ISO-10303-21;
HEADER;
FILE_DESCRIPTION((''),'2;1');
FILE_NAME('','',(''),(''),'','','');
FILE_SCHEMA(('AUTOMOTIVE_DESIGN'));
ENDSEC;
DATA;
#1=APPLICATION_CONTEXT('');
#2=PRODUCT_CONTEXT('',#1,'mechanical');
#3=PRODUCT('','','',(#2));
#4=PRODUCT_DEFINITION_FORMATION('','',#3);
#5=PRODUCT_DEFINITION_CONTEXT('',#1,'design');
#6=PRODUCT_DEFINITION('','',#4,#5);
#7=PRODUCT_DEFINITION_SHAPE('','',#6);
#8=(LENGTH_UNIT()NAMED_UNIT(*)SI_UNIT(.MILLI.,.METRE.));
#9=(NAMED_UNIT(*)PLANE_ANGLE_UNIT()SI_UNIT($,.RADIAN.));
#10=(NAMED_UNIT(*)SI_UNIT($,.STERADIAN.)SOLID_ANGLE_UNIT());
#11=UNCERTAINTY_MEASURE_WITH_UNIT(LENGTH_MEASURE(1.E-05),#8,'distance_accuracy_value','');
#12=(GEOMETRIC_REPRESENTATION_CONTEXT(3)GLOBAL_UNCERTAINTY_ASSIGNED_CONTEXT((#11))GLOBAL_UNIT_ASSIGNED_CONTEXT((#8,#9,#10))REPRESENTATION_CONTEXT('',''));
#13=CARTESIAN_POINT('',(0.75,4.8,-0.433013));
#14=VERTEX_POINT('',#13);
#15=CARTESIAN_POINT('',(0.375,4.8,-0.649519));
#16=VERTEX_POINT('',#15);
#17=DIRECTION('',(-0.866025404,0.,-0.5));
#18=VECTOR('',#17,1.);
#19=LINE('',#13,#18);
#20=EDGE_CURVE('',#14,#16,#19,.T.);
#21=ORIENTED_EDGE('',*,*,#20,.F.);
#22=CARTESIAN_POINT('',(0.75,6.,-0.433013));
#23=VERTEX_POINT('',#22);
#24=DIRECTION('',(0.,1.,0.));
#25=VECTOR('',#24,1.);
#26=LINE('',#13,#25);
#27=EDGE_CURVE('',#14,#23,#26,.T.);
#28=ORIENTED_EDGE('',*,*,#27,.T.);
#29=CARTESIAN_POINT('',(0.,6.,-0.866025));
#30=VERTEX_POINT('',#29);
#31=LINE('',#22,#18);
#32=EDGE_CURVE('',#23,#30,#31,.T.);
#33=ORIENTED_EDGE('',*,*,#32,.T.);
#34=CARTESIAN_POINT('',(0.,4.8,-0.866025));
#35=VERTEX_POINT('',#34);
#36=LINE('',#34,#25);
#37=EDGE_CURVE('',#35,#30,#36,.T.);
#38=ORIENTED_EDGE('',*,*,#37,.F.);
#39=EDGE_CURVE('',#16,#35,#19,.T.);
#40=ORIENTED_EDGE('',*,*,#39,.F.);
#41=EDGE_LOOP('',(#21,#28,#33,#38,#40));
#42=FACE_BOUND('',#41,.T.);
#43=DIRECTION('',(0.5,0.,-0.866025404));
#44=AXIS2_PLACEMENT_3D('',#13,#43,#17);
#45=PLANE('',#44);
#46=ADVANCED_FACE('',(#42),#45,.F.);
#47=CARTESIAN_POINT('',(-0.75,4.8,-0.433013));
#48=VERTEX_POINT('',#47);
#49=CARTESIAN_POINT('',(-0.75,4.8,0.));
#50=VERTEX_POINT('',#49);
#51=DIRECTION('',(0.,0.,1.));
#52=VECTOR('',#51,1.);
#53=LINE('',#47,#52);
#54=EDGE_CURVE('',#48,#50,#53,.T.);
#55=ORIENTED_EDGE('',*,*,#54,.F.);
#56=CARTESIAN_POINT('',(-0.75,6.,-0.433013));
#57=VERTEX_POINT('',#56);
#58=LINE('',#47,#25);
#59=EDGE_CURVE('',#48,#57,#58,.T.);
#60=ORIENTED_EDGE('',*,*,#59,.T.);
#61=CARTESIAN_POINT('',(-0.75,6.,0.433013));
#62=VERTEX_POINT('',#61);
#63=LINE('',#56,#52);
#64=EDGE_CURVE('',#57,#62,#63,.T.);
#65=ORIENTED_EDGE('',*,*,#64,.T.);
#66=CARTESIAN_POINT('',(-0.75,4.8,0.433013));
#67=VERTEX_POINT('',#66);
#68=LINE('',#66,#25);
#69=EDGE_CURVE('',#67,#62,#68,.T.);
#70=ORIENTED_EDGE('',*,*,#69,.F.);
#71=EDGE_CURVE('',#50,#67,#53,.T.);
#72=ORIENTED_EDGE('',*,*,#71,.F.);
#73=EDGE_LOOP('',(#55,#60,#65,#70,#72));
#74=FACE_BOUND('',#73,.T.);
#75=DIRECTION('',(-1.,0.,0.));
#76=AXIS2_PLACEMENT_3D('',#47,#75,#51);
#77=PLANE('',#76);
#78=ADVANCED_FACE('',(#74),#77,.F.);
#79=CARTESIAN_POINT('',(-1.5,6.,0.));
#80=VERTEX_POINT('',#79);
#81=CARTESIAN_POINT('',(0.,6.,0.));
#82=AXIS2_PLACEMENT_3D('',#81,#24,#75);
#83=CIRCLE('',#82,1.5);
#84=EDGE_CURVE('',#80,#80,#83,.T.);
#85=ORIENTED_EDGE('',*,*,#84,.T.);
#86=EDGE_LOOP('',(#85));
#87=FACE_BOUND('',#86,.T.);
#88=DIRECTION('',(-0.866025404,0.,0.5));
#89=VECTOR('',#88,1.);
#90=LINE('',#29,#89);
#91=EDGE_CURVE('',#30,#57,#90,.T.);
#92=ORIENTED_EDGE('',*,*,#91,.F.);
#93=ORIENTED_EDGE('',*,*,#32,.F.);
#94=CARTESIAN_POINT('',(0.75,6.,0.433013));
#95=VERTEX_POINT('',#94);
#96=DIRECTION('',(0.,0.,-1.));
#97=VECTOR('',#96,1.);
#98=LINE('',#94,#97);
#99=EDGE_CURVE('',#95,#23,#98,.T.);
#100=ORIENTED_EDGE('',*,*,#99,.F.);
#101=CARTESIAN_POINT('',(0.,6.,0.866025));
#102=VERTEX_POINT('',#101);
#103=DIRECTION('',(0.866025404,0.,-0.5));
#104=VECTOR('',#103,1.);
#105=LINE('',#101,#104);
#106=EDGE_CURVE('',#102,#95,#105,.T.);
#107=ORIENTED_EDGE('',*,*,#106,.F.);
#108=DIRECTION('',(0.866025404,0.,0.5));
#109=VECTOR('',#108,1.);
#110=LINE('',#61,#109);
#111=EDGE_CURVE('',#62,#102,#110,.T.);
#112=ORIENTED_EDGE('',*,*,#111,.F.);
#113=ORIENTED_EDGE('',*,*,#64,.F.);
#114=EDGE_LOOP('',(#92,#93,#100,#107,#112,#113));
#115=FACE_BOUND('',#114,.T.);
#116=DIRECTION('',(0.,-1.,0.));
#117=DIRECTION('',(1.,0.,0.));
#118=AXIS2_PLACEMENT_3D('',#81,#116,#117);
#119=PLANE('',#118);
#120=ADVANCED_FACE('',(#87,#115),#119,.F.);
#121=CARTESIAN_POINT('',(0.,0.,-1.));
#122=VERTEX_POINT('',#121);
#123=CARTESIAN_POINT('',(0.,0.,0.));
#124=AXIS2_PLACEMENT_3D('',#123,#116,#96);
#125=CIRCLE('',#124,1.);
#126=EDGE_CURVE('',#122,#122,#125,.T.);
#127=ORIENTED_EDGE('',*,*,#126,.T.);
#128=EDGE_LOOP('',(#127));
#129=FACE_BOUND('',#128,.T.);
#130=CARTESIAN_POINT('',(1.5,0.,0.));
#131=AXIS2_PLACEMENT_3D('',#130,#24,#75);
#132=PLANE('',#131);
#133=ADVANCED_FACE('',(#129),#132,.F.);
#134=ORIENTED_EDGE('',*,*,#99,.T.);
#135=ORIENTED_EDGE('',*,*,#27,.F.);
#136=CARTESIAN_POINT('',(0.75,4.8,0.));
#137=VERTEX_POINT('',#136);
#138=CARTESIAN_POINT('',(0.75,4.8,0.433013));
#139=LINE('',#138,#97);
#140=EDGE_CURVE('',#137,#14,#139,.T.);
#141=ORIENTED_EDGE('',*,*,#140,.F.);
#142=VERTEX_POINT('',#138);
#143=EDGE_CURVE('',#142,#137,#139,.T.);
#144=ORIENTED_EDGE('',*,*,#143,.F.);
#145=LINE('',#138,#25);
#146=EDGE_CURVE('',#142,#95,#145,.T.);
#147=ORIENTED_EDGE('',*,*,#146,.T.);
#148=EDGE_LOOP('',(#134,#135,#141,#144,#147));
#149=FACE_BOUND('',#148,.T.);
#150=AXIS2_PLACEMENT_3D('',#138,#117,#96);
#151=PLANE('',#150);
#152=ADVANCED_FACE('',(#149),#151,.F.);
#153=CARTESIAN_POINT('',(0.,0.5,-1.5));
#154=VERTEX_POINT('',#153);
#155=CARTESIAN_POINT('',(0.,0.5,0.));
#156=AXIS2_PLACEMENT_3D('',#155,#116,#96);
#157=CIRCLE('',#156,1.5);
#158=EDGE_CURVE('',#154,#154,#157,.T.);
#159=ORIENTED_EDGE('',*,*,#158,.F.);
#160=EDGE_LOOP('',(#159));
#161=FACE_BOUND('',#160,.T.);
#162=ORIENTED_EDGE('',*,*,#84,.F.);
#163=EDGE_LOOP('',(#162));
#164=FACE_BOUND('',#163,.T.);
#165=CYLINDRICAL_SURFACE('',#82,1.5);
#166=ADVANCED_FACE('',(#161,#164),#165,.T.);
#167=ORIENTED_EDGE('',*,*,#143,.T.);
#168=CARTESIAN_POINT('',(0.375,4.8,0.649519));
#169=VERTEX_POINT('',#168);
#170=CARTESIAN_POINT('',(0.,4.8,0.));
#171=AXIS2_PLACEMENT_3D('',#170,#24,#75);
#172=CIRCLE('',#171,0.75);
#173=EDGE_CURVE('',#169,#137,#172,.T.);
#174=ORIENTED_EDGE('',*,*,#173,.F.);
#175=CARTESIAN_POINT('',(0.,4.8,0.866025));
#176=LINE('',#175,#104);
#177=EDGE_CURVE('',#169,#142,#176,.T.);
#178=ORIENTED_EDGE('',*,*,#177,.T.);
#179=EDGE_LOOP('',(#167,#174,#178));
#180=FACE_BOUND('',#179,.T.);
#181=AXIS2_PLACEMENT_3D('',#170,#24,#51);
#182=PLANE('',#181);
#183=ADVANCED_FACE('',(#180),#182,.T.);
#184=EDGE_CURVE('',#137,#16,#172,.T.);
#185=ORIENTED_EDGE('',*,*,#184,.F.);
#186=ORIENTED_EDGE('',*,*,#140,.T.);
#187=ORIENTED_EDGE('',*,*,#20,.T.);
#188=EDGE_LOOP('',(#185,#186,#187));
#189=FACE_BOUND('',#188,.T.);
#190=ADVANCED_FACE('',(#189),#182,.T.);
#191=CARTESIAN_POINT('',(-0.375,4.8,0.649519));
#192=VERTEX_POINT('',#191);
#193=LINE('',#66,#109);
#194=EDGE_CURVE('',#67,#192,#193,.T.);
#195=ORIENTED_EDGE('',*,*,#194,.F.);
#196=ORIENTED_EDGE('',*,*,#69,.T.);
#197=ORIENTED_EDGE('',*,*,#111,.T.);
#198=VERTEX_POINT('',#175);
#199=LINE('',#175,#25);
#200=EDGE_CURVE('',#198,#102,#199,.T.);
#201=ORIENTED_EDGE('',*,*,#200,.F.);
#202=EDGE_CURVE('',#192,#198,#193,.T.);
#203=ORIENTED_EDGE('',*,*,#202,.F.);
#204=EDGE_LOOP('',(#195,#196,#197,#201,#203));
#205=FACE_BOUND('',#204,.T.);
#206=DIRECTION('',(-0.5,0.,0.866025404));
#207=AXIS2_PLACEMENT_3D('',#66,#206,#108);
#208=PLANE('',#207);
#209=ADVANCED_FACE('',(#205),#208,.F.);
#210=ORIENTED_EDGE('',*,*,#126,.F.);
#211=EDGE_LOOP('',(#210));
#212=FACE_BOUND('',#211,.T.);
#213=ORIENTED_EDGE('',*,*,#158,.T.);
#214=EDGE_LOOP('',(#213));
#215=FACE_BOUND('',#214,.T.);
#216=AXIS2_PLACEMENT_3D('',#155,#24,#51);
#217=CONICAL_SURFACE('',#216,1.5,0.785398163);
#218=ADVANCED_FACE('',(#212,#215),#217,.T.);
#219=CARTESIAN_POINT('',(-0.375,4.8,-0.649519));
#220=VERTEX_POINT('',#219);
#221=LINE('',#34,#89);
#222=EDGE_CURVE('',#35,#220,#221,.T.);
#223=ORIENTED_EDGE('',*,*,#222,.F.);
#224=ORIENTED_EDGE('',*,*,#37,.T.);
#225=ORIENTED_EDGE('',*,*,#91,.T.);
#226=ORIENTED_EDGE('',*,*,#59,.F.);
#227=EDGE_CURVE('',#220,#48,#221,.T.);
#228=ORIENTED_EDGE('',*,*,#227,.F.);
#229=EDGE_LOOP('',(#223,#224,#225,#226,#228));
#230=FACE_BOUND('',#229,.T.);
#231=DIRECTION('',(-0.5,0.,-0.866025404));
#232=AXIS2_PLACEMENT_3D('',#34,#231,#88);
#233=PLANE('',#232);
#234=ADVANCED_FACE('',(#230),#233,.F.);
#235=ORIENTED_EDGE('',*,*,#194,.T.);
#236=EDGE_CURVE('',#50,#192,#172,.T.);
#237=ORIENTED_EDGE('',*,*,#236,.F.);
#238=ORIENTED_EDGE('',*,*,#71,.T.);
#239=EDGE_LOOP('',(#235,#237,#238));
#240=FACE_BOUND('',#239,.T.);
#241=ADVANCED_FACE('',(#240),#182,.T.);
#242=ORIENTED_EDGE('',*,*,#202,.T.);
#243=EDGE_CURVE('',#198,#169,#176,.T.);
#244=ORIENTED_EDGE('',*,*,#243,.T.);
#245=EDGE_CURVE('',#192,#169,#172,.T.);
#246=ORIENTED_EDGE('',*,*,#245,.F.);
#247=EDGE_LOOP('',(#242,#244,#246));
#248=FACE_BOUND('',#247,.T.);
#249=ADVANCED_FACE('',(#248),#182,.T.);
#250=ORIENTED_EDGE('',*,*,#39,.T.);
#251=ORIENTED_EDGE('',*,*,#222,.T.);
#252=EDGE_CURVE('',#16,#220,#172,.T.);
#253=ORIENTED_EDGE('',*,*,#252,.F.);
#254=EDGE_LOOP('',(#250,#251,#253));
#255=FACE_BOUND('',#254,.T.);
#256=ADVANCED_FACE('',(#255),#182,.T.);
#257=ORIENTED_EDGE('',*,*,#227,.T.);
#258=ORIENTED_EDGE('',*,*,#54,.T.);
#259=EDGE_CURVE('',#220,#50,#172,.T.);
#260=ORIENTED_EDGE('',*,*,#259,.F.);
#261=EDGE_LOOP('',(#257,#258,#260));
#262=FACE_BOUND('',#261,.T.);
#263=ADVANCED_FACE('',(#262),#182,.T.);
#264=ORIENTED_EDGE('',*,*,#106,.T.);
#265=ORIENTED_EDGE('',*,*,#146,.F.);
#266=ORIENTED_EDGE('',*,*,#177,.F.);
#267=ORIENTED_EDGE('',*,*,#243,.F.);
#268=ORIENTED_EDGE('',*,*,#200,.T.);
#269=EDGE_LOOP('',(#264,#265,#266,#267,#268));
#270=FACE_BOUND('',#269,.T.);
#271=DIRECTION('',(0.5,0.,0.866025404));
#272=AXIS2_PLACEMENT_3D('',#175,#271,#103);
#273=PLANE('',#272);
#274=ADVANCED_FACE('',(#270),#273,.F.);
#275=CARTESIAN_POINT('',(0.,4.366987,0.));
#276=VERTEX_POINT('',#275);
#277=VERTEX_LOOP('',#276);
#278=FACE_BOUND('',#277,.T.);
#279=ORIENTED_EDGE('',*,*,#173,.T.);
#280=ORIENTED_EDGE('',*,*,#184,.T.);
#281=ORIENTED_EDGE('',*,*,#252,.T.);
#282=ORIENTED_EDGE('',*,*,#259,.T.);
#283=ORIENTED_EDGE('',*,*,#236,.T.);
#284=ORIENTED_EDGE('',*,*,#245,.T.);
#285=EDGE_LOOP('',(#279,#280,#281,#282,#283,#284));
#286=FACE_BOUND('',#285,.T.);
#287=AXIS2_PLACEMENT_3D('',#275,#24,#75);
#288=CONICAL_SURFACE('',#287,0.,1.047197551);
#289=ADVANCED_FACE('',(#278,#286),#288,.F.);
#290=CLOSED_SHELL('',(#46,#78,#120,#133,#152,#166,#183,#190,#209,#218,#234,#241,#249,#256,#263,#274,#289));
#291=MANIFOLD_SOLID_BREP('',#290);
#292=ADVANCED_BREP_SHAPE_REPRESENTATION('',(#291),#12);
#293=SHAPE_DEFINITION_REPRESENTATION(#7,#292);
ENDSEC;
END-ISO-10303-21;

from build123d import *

# Parameters (mm, degrees)
SKETCH1_W          = 1.5
SKETCH1_H          = 6
CUT_EXTRUDE1_DEPTH = 1.2


with BuildPart() as part:
    # Sketch1 → Revolve1 (revolve)
    with BuildSketch(Plane.XY, mode=Mode.PRIVATE) as revolve1_sk:
        with Locations((0.75, 3)):
            Rectangle(SKETCH1_W, SKETCH1_H)
    revolve(revolve1_sk.sketch.rotate(Axis((0, 6, 0), (0, -1, 0)), 180), axis=Axis((0, 6, 0), (0, -1, 0)))

    # Sketch2 → Cut-Revolve1 (revolve, cut)
    with BuildSketch(Plane.XY, mode=Mode.PRIVATE) as cut_revolve1_sk:
        Polygon((0, 6), (0.75, 6), (0.75, 4.8), (0, 4.366987298), align=None)
    revolve(cut_revolve1_sk.sketch.rotate(Axis((0, 6, 0), (0, -1, 0)), 180), axis=Axis((0, 6, 0), (0, -1, 0)), mode=Mode.SUBTRACT)

    # Sketch3 → Cut-Extrude1 (cut)
    with BuildSketch(Plane(origin=(0, 6, 0), x_dir=(1, 0, 0), z_dir=(0, 1, 0))):
        Polygon((0, 0.866025404), (-0.75, 0.433012702), (-0.75, -0.433012702), (0, -0.866025404), (0.75, -0.433012702), (0.75, 0.433012702), align=None)
    extrude(amount=-CUT_EXTRUDE1_DEPTH, mode=Mode.SUBTRACT)

    # Sketch4 → Cut-Revolve2 (revolve, cut)
    with BuildSketch(Plane.XY, mode=Mode.PRIVATE) as cut_revolve2_sk:
        Polygon((1, 0), (1.5, 0), (1.5, 0.5), align=None)
    revolve(cut_revolve2_sk.sketch.rotate(Axis((0, 0, 0), (0, 1, 0)), 180), axis=Axis((0, 0, 0), (0, 1, 0)), mode=Mode.SUBTRACT)


solid = part.part
